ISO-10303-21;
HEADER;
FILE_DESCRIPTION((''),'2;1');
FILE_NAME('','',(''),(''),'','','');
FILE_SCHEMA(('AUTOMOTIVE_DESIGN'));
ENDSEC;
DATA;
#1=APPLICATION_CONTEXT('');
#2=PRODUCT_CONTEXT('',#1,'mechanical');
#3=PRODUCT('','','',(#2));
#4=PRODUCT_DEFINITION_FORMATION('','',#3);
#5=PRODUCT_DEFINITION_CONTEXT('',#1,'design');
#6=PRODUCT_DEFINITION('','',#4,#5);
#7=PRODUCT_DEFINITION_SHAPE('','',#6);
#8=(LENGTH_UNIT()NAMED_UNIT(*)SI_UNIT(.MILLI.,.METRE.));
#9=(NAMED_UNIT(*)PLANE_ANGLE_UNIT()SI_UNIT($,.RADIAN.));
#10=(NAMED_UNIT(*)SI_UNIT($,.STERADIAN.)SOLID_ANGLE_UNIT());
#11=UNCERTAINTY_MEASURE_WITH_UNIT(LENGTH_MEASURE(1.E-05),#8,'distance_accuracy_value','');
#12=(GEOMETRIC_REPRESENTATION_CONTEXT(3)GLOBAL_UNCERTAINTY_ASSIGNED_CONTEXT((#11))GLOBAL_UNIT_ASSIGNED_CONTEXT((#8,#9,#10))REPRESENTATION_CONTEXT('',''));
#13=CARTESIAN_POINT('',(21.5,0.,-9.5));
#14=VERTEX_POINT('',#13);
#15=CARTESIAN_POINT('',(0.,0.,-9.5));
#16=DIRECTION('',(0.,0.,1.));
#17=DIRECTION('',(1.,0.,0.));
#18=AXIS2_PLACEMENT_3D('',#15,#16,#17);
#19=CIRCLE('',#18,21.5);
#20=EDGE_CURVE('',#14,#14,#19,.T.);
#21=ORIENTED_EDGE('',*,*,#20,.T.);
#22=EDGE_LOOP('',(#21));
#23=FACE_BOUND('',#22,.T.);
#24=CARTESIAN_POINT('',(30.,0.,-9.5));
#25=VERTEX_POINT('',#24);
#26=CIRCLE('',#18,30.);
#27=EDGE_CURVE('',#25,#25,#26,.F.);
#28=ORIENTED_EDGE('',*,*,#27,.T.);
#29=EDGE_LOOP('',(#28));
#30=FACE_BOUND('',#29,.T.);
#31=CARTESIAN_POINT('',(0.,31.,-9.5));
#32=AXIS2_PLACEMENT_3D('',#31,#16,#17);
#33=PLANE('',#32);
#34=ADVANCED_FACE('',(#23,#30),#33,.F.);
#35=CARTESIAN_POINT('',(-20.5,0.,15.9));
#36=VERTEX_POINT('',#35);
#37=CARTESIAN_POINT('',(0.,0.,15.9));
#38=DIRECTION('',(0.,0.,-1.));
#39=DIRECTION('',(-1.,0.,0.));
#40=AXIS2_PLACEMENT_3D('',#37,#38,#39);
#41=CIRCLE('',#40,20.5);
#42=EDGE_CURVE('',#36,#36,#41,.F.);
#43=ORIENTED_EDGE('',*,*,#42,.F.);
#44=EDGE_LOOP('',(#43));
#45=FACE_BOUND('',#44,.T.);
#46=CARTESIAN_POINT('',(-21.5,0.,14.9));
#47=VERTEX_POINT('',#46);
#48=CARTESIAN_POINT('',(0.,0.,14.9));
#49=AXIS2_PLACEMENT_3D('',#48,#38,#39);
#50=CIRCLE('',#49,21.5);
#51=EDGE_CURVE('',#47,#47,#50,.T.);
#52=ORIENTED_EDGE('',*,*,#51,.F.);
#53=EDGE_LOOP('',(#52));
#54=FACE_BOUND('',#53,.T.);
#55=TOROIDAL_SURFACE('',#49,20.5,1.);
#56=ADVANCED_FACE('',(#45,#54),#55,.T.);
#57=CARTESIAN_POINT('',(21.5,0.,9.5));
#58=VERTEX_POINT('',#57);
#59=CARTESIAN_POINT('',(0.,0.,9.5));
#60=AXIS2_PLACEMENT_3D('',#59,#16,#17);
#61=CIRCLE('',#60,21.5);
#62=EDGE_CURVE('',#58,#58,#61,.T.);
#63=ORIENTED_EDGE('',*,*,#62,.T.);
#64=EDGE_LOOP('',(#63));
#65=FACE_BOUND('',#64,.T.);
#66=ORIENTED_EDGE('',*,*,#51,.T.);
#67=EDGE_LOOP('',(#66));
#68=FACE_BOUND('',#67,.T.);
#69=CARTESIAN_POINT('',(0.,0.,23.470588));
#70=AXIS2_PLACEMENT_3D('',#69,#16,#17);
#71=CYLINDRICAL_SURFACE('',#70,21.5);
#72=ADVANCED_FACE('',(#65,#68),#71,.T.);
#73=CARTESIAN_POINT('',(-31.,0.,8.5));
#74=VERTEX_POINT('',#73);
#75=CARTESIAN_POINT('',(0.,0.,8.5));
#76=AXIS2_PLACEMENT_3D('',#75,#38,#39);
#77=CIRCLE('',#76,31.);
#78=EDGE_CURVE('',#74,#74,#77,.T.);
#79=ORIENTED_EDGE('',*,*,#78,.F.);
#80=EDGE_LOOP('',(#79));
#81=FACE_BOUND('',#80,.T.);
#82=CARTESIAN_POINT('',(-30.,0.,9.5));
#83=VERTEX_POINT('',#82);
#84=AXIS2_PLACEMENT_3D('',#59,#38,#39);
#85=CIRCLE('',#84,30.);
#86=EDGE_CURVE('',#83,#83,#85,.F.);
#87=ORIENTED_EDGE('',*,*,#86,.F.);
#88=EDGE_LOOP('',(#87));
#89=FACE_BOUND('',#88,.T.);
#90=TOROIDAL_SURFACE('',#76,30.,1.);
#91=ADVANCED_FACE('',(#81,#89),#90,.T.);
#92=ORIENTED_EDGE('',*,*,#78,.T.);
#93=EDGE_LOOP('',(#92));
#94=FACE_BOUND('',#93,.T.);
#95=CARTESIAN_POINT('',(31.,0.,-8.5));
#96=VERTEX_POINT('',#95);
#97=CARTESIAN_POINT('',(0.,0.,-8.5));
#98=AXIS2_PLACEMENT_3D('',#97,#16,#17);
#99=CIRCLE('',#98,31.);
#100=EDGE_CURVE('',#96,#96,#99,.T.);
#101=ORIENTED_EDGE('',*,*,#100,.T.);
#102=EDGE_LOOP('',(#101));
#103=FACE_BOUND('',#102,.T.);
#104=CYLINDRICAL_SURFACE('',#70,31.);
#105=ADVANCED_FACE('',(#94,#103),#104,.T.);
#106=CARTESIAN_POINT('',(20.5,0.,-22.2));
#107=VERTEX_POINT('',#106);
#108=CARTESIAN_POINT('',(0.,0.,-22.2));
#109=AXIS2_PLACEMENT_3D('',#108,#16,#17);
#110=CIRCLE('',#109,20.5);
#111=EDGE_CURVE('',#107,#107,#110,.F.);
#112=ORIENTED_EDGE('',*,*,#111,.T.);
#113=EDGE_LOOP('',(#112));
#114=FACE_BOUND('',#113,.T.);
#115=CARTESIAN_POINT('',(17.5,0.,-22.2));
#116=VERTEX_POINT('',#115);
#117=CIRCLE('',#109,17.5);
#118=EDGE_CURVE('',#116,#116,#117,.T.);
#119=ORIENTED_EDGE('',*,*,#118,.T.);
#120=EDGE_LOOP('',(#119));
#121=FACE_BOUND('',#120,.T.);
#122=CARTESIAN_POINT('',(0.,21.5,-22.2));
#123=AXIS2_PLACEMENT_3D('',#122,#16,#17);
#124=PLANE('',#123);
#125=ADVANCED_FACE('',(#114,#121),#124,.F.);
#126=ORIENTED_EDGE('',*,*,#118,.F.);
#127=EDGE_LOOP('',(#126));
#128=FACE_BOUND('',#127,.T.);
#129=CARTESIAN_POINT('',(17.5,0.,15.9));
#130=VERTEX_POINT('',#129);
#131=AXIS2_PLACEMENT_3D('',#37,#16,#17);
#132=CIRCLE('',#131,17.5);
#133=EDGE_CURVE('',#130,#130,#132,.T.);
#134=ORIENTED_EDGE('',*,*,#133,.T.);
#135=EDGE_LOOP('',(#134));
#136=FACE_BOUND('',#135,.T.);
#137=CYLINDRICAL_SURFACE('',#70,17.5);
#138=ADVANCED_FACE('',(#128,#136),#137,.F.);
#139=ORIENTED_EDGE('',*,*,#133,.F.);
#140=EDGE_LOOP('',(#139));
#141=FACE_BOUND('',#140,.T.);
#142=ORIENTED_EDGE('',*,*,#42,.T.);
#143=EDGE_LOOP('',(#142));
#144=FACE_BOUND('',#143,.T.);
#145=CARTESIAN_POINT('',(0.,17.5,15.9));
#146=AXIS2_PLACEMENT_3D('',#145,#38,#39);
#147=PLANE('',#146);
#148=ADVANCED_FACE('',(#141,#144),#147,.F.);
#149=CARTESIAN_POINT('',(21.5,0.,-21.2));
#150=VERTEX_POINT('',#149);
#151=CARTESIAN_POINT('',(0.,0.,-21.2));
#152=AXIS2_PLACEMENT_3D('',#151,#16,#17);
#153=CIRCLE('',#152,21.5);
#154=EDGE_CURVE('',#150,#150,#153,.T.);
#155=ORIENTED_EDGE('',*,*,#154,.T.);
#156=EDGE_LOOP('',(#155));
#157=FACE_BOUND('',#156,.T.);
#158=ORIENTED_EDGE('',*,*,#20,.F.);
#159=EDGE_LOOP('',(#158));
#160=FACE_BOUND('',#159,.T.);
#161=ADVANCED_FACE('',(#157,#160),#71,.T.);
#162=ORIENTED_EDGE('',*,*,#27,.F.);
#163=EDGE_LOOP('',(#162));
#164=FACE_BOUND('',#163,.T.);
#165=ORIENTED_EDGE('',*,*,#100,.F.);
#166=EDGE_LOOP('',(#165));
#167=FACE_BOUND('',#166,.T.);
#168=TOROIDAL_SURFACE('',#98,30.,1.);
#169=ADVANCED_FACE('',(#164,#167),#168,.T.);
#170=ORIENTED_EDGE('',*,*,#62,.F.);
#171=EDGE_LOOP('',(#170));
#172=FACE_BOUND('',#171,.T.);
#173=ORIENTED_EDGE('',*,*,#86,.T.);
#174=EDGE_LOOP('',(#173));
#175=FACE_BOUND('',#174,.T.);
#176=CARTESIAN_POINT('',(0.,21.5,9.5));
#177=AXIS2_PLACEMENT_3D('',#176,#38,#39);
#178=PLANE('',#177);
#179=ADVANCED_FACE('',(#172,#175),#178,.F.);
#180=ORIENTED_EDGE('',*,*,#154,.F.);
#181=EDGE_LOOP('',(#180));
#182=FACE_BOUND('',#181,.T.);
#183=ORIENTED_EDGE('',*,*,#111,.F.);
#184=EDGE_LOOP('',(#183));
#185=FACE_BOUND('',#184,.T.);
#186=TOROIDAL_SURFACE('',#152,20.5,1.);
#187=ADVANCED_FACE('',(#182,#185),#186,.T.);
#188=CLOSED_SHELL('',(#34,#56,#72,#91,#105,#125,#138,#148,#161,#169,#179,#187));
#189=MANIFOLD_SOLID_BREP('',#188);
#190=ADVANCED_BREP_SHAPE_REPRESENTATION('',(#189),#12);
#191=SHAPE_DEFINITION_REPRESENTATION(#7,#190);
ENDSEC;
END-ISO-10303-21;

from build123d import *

# Parameters (mm, degrees)
ZAOKR_GLENIE1_R = 1


with BuildPart() as part:
    # Szkic2 → Obrót1 (revolve)
    with BuildSketch(Plane(origin=(0, 0, 0), x_dir=(0, 0, -1), z_dir=(1, 0, 0)), mode=Mode.PRIVATE) as obr_t1_sk:
        Polygon((-9.5, 21.5), (-9.5, 31), (9.5, 31), (9.5, 21.5), (22.2, 21.5), (22.2, 17.5), (-15.9, 17.5), (-15.9, 21.5), align=None)
    revolve(obr_t1_sk.sketch.rotate(Axis((0, 0, 23.470588235), (0, 0, -1)), 90), axis=Axis((0, 0, 23.470588235), (0, 0, -1)))

    # Zaokrąglenie1
    zaokr_glenie1_edges = [part.edges().sort_by_distance(p)[0] for p in [
        (-21.5, 0, 15.9),
        (-31, 0, 9.5),
        (-31, 0, -9.5),
        (-21.5, 0, -22.2),
    ]]
    fillet(zaokr_glenie1_edges, radius=ZAOKR_GLENIE1_R)


solid = part.part
